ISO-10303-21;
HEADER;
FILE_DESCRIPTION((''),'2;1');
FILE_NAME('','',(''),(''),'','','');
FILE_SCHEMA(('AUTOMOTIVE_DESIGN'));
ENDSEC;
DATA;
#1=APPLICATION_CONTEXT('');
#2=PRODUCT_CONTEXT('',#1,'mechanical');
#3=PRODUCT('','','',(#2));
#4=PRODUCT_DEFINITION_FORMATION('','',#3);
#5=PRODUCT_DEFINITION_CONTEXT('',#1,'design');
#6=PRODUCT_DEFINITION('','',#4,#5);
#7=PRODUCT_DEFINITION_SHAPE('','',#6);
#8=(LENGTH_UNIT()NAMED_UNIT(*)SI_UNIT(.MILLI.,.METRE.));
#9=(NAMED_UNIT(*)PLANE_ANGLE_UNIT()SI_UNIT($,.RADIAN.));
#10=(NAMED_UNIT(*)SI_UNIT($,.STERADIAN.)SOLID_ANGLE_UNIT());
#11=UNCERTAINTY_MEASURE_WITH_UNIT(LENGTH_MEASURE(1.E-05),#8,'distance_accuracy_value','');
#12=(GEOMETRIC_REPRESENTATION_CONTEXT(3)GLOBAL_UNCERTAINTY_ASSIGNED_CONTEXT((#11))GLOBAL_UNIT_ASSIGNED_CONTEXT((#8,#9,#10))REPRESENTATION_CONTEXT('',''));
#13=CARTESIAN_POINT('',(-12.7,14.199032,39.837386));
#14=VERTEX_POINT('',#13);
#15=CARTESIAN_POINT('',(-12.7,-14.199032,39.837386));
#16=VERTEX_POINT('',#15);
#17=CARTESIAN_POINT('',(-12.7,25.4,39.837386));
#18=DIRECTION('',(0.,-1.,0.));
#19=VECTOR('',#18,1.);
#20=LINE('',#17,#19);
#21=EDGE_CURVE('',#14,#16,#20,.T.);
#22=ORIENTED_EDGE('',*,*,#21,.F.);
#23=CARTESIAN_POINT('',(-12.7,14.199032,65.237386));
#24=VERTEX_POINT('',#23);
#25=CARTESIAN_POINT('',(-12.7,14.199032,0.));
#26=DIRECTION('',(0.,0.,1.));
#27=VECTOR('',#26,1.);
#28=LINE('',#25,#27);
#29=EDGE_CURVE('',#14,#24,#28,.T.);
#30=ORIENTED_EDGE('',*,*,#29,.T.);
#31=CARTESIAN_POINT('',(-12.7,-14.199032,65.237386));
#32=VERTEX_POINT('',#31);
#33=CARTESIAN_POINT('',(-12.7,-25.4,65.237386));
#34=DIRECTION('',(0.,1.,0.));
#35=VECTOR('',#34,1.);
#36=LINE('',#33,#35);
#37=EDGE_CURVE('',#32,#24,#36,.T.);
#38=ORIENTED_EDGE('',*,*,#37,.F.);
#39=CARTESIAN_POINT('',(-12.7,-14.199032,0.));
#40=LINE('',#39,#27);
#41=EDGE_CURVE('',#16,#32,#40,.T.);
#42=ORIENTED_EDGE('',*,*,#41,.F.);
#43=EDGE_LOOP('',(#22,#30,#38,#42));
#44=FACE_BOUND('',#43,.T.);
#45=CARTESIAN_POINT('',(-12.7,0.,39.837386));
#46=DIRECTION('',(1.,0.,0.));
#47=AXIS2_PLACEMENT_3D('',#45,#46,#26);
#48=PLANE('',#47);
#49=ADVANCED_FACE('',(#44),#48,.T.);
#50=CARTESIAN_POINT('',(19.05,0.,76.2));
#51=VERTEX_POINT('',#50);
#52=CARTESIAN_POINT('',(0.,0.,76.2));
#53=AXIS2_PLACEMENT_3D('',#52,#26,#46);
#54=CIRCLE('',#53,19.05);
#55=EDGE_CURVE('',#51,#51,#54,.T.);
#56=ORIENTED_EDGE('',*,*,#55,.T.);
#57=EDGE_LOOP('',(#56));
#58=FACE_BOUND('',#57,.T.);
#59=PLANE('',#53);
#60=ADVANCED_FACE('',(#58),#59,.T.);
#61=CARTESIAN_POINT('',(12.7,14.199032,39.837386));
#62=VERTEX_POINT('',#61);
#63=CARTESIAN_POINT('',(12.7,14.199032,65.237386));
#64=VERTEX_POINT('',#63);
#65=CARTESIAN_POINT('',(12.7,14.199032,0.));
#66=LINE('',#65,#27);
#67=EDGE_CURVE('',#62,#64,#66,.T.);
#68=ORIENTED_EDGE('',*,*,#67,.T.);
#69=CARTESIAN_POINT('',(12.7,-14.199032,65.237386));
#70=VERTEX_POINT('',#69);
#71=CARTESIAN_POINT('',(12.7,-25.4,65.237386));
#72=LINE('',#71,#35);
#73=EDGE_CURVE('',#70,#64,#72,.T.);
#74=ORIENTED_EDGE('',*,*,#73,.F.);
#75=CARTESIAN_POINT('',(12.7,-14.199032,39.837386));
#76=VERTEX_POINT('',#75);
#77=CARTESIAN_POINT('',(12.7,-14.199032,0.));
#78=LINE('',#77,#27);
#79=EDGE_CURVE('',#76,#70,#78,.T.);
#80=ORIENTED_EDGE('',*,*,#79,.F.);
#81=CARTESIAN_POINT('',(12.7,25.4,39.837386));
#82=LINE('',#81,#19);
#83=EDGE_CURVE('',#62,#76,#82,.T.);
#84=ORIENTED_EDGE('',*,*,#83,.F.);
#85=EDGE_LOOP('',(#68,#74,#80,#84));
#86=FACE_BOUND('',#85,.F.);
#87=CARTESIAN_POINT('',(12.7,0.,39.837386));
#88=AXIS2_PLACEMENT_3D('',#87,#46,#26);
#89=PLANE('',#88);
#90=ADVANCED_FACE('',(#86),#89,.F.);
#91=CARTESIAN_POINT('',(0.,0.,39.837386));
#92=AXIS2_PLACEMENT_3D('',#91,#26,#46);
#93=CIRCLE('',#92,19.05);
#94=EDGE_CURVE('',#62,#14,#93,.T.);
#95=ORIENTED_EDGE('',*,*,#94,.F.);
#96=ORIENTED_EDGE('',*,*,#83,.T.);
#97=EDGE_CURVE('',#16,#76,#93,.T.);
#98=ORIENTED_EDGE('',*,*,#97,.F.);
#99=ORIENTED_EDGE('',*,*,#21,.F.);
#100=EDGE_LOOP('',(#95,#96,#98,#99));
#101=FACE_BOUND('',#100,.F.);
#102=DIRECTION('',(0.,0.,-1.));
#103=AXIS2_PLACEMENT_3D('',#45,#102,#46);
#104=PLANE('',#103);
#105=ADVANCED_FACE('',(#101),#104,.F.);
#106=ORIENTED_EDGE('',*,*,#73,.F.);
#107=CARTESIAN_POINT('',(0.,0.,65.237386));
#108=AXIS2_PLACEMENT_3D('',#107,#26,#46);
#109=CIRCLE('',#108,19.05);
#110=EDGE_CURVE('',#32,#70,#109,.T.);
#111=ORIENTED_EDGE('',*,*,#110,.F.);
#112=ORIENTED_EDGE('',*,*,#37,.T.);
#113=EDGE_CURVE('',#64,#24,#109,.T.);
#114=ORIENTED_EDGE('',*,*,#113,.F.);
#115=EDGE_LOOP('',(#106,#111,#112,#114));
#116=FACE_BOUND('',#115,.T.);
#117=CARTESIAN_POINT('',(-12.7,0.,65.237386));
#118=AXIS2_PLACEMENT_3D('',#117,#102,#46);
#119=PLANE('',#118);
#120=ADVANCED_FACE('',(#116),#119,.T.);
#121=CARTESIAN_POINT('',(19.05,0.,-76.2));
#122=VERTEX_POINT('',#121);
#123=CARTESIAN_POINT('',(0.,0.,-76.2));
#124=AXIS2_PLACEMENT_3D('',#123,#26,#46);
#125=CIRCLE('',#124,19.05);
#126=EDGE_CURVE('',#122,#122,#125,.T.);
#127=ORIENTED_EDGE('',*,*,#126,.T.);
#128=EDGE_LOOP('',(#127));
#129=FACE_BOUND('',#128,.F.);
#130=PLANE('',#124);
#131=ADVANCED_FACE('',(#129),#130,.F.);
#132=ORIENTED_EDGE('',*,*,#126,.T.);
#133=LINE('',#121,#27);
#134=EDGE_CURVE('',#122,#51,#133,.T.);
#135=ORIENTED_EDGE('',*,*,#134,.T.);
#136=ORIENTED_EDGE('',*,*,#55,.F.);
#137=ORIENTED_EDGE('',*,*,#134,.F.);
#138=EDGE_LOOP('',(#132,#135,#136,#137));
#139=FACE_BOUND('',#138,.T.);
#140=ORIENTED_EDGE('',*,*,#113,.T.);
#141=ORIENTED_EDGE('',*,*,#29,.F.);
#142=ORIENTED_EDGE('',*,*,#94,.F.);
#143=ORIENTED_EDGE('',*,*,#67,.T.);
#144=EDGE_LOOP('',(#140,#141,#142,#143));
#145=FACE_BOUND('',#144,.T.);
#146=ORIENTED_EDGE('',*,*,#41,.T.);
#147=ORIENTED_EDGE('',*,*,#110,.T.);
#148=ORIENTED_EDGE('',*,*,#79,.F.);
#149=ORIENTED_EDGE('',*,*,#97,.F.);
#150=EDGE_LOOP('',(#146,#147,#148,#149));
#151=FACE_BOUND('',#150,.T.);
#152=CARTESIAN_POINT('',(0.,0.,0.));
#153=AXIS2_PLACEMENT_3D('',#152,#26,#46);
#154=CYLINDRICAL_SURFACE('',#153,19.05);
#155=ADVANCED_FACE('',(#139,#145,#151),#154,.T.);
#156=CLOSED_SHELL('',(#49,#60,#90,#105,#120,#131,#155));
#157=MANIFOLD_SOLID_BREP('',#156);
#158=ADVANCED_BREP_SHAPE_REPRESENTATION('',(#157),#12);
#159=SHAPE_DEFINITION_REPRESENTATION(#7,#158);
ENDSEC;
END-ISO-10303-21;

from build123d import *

# Parameters (mm, degrees)
F0_R     = 19.05
F2_DEPTH = 76.2
F1_W     = 25.4
F1_H     = 25.4
F3_DEPTH = 25.4


with BuildPart() as f2:
    # F0 (on Top) → F2 (new body, symmetric)
    with BuildSketch(Plane.XY):
        Circle(F0_R)
    extrude(amount=F2_DEPTH, both=True)

    # F1 (on Front) → F3 (cut, symmetric)
    with BuildSketch(Plane.XZ):
        with Locations((0, 52.537386)):
            Rectangle(F1_W, F1_H)
    extrude(amount=F3_DEPTH, both=True, mode=Mode.SUBTRACT)


solid = f2.part
